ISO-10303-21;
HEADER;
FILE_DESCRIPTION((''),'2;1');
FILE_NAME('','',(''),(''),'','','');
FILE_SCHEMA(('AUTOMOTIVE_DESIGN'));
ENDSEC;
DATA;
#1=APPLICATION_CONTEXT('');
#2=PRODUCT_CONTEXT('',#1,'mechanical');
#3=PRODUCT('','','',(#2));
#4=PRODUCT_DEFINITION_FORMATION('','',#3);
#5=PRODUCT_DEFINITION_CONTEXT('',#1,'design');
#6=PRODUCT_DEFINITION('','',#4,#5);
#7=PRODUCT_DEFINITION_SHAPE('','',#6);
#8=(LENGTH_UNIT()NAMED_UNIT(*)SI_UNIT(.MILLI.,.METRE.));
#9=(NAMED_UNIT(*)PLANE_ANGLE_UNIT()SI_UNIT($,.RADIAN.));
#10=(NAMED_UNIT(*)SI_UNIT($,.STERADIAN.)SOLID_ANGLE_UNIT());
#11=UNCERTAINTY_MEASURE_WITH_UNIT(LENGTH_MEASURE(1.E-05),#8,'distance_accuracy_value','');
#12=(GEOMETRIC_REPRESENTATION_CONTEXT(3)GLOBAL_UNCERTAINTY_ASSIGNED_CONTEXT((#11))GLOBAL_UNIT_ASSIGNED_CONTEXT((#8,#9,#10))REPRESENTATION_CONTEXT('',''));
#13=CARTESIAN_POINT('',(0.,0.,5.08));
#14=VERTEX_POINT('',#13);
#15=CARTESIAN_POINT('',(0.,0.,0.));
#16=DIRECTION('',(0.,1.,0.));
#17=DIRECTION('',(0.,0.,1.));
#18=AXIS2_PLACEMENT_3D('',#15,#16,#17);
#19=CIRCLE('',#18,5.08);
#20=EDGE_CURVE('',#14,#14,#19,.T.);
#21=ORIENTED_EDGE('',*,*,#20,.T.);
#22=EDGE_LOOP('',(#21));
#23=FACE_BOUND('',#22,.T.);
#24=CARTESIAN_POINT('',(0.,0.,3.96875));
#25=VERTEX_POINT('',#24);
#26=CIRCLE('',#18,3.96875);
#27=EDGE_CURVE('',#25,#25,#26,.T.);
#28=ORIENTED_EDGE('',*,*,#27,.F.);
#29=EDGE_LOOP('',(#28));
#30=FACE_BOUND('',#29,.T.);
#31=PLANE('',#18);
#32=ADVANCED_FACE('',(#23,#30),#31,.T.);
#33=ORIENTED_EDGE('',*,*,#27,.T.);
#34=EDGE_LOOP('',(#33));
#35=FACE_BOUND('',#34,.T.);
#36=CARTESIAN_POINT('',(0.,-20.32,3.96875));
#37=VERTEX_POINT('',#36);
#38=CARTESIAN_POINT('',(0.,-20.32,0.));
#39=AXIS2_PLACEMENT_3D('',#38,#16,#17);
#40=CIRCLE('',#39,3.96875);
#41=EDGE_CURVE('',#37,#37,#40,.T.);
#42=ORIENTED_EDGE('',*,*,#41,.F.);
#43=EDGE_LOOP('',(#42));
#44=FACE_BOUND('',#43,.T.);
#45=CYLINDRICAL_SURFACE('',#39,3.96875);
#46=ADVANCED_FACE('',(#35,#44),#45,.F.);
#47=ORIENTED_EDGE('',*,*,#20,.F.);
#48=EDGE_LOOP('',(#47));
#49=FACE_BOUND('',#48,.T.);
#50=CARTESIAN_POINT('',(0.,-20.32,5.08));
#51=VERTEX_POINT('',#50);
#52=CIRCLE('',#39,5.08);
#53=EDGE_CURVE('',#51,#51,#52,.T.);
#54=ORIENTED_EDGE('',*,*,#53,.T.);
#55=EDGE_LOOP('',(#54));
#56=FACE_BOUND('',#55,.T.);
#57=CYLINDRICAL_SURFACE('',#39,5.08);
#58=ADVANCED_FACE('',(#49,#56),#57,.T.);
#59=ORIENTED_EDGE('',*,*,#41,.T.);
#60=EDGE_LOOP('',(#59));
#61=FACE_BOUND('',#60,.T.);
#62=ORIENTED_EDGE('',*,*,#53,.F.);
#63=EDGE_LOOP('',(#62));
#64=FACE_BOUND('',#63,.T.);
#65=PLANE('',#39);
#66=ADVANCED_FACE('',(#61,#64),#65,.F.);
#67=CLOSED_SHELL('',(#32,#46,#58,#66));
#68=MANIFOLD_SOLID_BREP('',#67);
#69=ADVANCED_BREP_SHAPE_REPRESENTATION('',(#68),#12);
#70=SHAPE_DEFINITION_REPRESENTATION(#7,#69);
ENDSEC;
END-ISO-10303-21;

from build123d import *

# Parameters (mm, degrees)
SKETCH1_R           = 5.08
SKETCH1_R_2         = 3.96875
BOSS_EXTRUDE1_DEPTH = 20.32


with BuildPart() as part:
    # Sketch1 → Boss-Extrude1 (new body)
    with BuildSketch(Plane(origin=(0, 0, 0), x_dir=(1, 0, 0), z_dir=(0, 1, 0))):
        with Locations(Location((0, 0, 0), (0, 0, 270))):
            Circle(SKETCH1_R)
        with Locations(Location((0, 0, 0), (0, 0, 270))):
            Circle(SKETCH1_R_2, mode=Mode.SUBTRACT)
    extrude(amount=-BOSS_EXTRUDE1_DEPTH)


solid = part.part
